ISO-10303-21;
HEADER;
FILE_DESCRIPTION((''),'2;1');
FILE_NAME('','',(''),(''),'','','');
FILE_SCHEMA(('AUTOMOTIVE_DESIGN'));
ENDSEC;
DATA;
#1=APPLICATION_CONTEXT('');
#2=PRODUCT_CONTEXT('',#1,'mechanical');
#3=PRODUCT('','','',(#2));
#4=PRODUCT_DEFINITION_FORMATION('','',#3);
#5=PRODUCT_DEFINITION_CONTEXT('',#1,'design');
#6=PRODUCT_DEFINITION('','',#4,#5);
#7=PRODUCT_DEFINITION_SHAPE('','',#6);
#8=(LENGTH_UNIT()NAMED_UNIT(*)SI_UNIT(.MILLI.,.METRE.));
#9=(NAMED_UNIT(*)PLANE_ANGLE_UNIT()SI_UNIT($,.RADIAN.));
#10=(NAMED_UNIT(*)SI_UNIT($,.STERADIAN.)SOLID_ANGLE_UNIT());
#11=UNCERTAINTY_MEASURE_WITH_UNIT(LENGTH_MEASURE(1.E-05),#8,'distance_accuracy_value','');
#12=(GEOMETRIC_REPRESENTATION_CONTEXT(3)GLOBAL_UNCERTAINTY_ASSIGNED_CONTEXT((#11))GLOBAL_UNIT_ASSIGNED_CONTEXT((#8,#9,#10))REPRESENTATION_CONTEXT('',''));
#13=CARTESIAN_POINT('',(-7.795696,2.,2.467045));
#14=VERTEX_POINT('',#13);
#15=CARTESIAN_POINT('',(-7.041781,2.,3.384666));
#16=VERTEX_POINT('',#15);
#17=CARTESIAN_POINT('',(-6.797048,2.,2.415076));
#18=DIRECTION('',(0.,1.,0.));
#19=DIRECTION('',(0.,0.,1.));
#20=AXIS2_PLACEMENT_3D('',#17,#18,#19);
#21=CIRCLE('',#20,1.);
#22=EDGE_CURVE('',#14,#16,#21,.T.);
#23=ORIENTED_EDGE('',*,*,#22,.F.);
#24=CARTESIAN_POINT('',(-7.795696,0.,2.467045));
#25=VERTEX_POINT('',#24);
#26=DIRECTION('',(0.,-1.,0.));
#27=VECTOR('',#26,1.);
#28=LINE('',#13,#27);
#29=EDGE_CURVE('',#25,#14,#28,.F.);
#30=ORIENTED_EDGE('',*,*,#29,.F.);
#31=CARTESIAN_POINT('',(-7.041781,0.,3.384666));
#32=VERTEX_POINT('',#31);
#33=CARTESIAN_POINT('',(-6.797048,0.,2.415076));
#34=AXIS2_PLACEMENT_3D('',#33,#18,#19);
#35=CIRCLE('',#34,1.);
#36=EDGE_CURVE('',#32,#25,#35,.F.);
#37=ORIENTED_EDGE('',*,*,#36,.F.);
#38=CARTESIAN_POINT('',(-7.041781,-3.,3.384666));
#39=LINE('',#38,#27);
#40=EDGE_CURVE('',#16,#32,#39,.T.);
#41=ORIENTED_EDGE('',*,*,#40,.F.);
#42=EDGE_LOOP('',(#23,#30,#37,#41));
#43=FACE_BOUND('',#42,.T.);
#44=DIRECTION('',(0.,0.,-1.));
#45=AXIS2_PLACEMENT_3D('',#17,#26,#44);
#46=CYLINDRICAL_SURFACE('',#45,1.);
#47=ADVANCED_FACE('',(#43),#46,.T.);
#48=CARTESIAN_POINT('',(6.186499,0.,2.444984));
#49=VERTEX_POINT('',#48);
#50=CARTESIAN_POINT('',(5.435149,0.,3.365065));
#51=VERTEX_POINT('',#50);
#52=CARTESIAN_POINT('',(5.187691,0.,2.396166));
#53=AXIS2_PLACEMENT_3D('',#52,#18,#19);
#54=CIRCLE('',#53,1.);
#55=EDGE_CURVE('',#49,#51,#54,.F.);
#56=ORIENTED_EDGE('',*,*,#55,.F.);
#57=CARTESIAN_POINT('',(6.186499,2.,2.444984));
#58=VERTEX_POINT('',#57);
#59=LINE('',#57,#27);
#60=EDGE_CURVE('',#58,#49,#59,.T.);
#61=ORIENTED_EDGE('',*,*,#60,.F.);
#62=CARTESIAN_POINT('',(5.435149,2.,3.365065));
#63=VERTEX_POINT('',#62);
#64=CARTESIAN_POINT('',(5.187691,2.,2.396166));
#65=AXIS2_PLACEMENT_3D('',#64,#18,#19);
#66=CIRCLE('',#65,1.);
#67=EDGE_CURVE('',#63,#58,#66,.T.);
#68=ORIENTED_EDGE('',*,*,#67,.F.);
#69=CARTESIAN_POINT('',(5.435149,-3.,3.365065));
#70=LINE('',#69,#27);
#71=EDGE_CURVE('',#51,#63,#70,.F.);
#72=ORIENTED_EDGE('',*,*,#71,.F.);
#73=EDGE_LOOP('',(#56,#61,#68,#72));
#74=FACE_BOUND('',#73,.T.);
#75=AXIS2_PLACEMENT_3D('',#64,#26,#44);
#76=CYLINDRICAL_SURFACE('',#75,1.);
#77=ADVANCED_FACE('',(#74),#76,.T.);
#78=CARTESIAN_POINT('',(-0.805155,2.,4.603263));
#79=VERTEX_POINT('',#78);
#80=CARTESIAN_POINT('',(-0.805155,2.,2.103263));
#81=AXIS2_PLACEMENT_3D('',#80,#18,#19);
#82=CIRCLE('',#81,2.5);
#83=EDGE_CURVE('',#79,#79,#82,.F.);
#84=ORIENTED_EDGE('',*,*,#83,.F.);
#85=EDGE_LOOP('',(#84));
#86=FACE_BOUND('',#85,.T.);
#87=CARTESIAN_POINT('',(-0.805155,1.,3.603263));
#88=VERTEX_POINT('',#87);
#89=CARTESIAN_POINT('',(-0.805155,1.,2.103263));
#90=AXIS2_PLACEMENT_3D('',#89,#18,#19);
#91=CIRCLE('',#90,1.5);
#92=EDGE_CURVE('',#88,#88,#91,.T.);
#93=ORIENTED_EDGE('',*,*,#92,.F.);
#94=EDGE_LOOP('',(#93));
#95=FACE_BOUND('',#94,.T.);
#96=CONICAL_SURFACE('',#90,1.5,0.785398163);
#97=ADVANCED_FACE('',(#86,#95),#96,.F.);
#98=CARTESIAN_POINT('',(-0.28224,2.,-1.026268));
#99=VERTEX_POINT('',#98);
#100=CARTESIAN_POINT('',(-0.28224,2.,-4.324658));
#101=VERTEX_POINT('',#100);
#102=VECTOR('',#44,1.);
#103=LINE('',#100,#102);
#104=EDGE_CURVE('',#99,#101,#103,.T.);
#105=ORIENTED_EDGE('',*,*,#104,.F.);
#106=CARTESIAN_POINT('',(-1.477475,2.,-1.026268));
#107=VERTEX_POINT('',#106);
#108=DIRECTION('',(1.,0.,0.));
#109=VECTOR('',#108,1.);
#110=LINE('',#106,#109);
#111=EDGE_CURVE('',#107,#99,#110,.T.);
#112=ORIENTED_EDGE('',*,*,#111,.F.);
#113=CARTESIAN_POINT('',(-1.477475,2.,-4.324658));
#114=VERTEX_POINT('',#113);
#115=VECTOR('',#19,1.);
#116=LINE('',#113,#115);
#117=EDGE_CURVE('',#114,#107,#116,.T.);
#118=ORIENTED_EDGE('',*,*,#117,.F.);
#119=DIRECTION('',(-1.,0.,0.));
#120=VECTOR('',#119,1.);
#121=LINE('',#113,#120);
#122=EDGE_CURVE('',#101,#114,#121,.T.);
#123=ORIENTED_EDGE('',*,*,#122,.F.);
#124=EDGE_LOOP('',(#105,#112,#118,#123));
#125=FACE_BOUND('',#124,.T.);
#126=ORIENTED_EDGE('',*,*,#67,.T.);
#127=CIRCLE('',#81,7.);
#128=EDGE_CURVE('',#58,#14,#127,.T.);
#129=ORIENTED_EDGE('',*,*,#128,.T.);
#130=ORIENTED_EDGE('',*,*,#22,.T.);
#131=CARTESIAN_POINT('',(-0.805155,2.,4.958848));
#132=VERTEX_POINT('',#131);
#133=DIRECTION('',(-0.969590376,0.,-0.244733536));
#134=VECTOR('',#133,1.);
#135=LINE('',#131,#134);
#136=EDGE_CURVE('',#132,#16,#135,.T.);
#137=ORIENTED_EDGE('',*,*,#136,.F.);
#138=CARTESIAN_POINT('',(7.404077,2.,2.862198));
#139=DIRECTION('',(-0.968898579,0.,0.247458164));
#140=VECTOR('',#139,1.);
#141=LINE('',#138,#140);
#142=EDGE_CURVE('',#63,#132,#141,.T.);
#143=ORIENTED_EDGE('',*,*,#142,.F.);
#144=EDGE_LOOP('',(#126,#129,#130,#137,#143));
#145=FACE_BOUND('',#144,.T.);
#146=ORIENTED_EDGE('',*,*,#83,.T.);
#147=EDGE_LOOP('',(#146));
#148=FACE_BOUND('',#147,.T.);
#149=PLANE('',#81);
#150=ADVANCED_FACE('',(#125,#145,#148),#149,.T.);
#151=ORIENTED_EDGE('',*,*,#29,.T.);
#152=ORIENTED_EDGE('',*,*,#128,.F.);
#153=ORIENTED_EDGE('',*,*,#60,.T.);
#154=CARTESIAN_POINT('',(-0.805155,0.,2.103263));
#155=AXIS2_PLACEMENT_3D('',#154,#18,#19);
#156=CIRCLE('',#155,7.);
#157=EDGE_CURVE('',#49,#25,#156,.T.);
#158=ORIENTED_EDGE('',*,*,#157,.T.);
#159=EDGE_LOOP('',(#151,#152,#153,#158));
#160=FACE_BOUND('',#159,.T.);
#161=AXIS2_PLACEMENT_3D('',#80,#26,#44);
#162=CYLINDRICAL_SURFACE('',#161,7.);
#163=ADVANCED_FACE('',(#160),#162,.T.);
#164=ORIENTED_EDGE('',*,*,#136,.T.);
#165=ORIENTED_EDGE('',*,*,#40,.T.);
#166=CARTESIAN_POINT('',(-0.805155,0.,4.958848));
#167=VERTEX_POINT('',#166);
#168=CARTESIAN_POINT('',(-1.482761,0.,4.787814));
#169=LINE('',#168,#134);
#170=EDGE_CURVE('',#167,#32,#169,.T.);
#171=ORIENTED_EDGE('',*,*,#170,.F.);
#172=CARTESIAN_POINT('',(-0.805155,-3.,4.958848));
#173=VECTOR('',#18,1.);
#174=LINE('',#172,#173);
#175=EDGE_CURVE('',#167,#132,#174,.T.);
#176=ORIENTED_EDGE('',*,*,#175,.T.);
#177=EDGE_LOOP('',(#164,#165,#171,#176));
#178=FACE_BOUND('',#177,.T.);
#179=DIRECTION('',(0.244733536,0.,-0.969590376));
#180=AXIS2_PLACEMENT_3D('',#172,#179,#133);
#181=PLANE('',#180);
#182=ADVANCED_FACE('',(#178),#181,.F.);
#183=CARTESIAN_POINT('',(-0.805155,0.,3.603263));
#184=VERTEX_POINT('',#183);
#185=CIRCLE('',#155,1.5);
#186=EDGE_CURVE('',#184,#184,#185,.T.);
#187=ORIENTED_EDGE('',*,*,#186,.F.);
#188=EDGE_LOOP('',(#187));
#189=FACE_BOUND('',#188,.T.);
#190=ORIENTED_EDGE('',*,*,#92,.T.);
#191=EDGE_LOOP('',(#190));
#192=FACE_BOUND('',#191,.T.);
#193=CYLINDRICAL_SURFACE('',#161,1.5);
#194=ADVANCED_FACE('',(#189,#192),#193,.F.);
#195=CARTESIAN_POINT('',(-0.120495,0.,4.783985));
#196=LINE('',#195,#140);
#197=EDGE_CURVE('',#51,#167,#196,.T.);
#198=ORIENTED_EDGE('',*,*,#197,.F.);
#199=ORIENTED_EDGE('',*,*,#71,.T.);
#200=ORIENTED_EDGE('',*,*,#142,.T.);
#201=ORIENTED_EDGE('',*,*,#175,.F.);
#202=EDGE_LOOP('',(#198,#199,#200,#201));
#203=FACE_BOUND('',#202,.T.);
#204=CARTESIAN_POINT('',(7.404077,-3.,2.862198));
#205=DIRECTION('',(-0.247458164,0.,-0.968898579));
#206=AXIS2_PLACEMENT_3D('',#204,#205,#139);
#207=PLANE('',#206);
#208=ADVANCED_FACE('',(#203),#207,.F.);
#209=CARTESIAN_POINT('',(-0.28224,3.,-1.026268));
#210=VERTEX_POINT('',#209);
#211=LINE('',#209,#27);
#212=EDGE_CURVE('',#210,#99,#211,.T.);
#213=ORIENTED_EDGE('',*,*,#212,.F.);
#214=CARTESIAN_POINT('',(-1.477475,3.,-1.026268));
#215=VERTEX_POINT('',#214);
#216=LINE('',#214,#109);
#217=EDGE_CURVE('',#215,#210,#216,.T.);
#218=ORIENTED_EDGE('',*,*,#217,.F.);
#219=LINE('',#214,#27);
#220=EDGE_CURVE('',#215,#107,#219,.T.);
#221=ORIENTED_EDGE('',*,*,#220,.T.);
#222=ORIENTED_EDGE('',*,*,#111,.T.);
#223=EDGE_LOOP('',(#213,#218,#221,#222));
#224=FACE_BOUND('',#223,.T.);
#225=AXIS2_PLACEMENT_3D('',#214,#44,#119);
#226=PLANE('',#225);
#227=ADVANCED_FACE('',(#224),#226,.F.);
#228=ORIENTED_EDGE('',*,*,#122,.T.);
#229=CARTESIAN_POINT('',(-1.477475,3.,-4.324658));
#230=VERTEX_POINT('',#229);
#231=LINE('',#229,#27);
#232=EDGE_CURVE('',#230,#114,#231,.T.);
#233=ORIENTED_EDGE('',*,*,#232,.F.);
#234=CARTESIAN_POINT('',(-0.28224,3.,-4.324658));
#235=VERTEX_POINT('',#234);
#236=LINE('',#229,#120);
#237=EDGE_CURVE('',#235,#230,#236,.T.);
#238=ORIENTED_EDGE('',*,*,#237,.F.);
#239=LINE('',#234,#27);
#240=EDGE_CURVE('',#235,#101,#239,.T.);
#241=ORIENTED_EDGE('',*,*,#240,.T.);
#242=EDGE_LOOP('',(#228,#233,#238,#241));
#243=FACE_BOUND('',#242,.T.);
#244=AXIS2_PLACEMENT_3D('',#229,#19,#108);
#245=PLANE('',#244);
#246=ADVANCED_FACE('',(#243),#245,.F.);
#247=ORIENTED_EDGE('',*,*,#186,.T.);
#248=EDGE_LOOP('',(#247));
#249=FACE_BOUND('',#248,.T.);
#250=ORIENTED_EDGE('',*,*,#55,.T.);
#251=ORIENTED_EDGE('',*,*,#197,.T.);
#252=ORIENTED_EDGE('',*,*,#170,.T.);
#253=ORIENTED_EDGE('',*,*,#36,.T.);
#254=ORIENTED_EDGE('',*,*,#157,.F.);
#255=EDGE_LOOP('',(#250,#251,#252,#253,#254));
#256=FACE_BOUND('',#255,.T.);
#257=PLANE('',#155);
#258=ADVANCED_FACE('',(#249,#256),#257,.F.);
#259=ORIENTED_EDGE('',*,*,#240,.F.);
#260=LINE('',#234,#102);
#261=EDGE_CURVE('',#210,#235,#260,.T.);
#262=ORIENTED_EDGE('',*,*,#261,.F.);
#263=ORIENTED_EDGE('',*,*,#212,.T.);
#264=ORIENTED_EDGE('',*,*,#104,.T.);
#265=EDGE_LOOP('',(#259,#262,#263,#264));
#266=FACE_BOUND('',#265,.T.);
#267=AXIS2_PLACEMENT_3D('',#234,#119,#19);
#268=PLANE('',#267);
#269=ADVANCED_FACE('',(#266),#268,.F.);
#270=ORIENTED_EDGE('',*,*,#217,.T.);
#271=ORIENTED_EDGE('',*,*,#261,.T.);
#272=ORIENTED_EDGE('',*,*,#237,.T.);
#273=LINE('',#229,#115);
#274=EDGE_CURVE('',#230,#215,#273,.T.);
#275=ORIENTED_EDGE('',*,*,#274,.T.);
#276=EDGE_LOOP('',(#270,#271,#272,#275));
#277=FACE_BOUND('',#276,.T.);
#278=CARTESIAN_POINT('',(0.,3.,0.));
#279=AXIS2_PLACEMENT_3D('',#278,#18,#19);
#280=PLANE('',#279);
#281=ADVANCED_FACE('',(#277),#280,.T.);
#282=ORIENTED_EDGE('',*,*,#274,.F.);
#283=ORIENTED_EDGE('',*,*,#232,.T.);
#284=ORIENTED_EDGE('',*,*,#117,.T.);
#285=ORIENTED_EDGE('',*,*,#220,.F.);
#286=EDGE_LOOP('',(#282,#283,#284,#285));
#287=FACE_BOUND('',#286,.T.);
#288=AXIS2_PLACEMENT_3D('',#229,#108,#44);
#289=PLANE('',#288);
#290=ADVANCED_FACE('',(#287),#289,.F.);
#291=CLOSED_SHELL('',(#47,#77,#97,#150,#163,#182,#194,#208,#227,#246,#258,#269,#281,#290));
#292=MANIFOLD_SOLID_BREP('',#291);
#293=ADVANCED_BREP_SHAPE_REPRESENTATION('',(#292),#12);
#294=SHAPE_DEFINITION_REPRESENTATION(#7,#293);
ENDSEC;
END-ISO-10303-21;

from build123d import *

# Parameters (mm, degrees)
SKETCH1_R           = 7
SKETCH1_R_2         = 1.5
BOSS_EXTRUDE1_DEPTH = 2
SKETCH2_W           = 15.705717302
SKETCH2_H           = 4.43210583
CUT_EXTRUDE1_DEPTH  = 2
CHAMFER1_SIZE       = 1
SKETCH3_W           = 1.195235373
SKETCH3_H           = 3.298389924
BOSS_EXTRUDE2_DEPTH = 1
CUT_EXTRUDE2_DEPTH  = 5
FILLET1_R           = 1


with BuildPart() as part:
    # Sketch1 → Boss-Extrude1 (new body)
    with BuildSketch(Plane(origin=(0, 0, 0), x_dir=(1, 0, 0), z_dir=(0, 1, 0))):
        with Locations((-0.805155446, -2.103263206)):
            Circle(SKETCH1_R)
        with Locations((-0.805155446, -2.103263206)):
            Circle(SKETCH1_R_2, mode=Mode.SUBTRACT)
    extrude(amount=BOSS_EXTRUDE1_DEPTH)

    # Sketch2 → Cut-Extrude1 (cut)
    with BuildSketch(Plane(origin=(0, 2, 0), x_dir=(1, 0, 0), z_dir=(0, 1, 0))):
        with Locations((-1.273649854, -7.174901084)):
            Rectangle(SKETCH2_W, SKETCH2_H)
    extrude(amount=-CUT_EXTRUDE1_DEPTH, mode=Mode.SUBTRACT)

    # Chamfer1
    chamfer1_edges = [part.edges().sort_by_distance(p)[0] for p in [
        (-2.305155446, 2, 2.103263206),
    ]]
    chamfer(chamfer1_edges, length=CHAMFER1_SIZE)

    # Sketch3 → Boss-Extrude2 (add)
    with BuildSketch(Plane(origin=(0, 2, 0), x_dir=(1, 0, 0), z_dir=(0, 1, 0))):
        with Locations((-0.879857657, 2.675462874)):
            Rectangle(SKETCH3_W, SKETCH3_H)
    extrude(amount=BOSS_EXTRUDE2_DEPTH)

    # Sketch4 → Cut-Extrude2 (cut)
    with BuildSketch(Plane(origin=(0, 2, 0), x_dir=(1, 0, 0), z_dir=(0, 1, 0))):
        Polygon((-0.805155446, -4.958848169), (-9.111708645, -2.862197678), (-9.111708645, -6.506834359), (7.404077395, -6.506834359), (7.404077395, -2.862197678), align=None)
    extrude(amount=-CUT_EXTRUDE2_DEPTH, mode=Mode.SUBTRACT)

    # Fillet1
    fillet1_edges = [part.edges().sort_by_distance(p)[0] for p in [
        (6.109528179, 1, 3.192827507),
        (-7.716407835, 1, 3.214384447),
    ]]
    fillet(fillet1_edges, radius=FILLET1_R)


solid = part.part
